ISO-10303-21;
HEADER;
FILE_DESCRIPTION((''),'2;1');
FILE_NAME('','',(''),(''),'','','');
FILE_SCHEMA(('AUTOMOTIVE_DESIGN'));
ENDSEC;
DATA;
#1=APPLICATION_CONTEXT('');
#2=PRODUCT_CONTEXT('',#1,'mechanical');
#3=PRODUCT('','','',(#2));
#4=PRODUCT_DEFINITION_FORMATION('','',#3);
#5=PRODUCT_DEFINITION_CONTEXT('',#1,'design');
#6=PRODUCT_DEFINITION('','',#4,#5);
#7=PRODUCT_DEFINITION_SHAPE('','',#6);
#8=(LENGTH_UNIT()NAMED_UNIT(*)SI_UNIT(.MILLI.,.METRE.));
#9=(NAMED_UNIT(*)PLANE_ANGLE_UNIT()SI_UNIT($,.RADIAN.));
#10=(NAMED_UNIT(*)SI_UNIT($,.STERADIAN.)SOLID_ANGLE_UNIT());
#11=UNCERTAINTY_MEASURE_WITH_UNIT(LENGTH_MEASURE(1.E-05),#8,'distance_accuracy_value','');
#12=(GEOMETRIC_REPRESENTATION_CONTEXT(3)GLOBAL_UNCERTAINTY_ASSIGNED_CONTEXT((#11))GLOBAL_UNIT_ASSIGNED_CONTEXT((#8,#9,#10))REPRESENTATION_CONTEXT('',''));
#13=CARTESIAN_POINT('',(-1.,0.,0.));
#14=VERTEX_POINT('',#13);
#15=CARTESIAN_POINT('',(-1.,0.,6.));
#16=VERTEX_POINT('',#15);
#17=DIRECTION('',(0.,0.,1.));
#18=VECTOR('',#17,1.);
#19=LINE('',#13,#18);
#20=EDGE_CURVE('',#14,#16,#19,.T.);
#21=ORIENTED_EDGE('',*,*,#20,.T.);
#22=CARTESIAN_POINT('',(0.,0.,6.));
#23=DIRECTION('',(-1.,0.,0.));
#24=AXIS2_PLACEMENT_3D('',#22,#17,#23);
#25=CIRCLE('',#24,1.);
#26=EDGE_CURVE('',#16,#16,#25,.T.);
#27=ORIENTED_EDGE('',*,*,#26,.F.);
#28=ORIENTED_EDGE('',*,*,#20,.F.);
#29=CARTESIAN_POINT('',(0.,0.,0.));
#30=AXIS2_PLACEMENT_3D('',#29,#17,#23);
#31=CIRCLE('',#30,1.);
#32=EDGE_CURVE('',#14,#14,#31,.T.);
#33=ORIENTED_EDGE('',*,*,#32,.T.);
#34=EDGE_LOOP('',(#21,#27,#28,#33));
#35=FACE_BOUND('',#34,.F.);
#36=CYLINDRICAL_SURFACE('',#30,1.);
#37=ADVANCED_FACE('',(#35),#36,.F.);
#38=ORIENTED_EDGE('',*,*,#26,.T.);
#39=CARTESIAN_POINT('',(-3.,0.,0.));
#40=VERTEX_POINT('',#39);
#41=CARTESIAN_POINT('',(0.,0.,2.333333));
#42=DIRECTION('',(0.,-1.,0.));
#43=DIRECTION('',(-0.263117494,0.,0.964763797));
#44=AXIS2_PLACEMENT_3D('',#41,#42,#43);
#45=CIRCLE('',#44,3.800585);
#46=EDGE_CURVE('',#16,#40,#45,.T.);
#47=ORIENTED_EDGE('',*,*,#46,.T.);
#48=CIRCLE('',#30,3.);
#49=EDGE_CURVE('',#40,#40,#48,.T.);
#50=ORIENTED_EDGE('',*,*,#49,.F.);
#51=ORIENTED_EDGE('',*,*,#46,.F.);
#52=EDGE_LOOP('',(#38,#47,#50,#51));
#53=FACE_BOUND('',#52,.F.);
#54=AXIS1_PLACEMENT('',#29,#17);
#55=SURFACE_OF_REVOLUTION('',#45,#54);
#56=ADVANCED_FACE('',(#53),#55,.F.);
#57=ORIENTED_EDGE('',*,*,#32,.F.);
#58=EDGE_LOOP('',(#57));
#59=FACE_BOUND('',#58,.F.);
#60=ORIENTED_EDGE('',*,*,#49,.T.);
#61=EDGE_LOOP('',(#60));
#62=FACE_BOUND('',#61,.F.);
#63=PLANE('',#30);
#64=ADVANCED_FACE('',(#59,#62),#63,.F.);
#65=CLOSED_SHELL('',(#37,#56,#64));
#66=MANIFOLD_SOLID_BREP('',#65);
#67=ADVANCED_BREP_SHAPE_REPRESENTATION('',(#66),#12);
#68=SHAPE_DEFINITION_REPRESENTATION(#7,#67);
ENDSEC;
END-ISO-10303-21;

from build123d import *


with BuildPart() as part:
    # Sketch → Revolution (revolve)
    with BuildSketch(Plane.XZ):
        with BuildLine():
            ThreePointArc((-1, 6), (-3.605551, 3.535184), (-3, 0))
            Line((-3, 0), (-1, 0))
            Line((-1, 0), (-1, 6))
        make_face()
    revolve(axis=Axis((0, 0, 0), (0, 0, 1)))


solid = part.part
